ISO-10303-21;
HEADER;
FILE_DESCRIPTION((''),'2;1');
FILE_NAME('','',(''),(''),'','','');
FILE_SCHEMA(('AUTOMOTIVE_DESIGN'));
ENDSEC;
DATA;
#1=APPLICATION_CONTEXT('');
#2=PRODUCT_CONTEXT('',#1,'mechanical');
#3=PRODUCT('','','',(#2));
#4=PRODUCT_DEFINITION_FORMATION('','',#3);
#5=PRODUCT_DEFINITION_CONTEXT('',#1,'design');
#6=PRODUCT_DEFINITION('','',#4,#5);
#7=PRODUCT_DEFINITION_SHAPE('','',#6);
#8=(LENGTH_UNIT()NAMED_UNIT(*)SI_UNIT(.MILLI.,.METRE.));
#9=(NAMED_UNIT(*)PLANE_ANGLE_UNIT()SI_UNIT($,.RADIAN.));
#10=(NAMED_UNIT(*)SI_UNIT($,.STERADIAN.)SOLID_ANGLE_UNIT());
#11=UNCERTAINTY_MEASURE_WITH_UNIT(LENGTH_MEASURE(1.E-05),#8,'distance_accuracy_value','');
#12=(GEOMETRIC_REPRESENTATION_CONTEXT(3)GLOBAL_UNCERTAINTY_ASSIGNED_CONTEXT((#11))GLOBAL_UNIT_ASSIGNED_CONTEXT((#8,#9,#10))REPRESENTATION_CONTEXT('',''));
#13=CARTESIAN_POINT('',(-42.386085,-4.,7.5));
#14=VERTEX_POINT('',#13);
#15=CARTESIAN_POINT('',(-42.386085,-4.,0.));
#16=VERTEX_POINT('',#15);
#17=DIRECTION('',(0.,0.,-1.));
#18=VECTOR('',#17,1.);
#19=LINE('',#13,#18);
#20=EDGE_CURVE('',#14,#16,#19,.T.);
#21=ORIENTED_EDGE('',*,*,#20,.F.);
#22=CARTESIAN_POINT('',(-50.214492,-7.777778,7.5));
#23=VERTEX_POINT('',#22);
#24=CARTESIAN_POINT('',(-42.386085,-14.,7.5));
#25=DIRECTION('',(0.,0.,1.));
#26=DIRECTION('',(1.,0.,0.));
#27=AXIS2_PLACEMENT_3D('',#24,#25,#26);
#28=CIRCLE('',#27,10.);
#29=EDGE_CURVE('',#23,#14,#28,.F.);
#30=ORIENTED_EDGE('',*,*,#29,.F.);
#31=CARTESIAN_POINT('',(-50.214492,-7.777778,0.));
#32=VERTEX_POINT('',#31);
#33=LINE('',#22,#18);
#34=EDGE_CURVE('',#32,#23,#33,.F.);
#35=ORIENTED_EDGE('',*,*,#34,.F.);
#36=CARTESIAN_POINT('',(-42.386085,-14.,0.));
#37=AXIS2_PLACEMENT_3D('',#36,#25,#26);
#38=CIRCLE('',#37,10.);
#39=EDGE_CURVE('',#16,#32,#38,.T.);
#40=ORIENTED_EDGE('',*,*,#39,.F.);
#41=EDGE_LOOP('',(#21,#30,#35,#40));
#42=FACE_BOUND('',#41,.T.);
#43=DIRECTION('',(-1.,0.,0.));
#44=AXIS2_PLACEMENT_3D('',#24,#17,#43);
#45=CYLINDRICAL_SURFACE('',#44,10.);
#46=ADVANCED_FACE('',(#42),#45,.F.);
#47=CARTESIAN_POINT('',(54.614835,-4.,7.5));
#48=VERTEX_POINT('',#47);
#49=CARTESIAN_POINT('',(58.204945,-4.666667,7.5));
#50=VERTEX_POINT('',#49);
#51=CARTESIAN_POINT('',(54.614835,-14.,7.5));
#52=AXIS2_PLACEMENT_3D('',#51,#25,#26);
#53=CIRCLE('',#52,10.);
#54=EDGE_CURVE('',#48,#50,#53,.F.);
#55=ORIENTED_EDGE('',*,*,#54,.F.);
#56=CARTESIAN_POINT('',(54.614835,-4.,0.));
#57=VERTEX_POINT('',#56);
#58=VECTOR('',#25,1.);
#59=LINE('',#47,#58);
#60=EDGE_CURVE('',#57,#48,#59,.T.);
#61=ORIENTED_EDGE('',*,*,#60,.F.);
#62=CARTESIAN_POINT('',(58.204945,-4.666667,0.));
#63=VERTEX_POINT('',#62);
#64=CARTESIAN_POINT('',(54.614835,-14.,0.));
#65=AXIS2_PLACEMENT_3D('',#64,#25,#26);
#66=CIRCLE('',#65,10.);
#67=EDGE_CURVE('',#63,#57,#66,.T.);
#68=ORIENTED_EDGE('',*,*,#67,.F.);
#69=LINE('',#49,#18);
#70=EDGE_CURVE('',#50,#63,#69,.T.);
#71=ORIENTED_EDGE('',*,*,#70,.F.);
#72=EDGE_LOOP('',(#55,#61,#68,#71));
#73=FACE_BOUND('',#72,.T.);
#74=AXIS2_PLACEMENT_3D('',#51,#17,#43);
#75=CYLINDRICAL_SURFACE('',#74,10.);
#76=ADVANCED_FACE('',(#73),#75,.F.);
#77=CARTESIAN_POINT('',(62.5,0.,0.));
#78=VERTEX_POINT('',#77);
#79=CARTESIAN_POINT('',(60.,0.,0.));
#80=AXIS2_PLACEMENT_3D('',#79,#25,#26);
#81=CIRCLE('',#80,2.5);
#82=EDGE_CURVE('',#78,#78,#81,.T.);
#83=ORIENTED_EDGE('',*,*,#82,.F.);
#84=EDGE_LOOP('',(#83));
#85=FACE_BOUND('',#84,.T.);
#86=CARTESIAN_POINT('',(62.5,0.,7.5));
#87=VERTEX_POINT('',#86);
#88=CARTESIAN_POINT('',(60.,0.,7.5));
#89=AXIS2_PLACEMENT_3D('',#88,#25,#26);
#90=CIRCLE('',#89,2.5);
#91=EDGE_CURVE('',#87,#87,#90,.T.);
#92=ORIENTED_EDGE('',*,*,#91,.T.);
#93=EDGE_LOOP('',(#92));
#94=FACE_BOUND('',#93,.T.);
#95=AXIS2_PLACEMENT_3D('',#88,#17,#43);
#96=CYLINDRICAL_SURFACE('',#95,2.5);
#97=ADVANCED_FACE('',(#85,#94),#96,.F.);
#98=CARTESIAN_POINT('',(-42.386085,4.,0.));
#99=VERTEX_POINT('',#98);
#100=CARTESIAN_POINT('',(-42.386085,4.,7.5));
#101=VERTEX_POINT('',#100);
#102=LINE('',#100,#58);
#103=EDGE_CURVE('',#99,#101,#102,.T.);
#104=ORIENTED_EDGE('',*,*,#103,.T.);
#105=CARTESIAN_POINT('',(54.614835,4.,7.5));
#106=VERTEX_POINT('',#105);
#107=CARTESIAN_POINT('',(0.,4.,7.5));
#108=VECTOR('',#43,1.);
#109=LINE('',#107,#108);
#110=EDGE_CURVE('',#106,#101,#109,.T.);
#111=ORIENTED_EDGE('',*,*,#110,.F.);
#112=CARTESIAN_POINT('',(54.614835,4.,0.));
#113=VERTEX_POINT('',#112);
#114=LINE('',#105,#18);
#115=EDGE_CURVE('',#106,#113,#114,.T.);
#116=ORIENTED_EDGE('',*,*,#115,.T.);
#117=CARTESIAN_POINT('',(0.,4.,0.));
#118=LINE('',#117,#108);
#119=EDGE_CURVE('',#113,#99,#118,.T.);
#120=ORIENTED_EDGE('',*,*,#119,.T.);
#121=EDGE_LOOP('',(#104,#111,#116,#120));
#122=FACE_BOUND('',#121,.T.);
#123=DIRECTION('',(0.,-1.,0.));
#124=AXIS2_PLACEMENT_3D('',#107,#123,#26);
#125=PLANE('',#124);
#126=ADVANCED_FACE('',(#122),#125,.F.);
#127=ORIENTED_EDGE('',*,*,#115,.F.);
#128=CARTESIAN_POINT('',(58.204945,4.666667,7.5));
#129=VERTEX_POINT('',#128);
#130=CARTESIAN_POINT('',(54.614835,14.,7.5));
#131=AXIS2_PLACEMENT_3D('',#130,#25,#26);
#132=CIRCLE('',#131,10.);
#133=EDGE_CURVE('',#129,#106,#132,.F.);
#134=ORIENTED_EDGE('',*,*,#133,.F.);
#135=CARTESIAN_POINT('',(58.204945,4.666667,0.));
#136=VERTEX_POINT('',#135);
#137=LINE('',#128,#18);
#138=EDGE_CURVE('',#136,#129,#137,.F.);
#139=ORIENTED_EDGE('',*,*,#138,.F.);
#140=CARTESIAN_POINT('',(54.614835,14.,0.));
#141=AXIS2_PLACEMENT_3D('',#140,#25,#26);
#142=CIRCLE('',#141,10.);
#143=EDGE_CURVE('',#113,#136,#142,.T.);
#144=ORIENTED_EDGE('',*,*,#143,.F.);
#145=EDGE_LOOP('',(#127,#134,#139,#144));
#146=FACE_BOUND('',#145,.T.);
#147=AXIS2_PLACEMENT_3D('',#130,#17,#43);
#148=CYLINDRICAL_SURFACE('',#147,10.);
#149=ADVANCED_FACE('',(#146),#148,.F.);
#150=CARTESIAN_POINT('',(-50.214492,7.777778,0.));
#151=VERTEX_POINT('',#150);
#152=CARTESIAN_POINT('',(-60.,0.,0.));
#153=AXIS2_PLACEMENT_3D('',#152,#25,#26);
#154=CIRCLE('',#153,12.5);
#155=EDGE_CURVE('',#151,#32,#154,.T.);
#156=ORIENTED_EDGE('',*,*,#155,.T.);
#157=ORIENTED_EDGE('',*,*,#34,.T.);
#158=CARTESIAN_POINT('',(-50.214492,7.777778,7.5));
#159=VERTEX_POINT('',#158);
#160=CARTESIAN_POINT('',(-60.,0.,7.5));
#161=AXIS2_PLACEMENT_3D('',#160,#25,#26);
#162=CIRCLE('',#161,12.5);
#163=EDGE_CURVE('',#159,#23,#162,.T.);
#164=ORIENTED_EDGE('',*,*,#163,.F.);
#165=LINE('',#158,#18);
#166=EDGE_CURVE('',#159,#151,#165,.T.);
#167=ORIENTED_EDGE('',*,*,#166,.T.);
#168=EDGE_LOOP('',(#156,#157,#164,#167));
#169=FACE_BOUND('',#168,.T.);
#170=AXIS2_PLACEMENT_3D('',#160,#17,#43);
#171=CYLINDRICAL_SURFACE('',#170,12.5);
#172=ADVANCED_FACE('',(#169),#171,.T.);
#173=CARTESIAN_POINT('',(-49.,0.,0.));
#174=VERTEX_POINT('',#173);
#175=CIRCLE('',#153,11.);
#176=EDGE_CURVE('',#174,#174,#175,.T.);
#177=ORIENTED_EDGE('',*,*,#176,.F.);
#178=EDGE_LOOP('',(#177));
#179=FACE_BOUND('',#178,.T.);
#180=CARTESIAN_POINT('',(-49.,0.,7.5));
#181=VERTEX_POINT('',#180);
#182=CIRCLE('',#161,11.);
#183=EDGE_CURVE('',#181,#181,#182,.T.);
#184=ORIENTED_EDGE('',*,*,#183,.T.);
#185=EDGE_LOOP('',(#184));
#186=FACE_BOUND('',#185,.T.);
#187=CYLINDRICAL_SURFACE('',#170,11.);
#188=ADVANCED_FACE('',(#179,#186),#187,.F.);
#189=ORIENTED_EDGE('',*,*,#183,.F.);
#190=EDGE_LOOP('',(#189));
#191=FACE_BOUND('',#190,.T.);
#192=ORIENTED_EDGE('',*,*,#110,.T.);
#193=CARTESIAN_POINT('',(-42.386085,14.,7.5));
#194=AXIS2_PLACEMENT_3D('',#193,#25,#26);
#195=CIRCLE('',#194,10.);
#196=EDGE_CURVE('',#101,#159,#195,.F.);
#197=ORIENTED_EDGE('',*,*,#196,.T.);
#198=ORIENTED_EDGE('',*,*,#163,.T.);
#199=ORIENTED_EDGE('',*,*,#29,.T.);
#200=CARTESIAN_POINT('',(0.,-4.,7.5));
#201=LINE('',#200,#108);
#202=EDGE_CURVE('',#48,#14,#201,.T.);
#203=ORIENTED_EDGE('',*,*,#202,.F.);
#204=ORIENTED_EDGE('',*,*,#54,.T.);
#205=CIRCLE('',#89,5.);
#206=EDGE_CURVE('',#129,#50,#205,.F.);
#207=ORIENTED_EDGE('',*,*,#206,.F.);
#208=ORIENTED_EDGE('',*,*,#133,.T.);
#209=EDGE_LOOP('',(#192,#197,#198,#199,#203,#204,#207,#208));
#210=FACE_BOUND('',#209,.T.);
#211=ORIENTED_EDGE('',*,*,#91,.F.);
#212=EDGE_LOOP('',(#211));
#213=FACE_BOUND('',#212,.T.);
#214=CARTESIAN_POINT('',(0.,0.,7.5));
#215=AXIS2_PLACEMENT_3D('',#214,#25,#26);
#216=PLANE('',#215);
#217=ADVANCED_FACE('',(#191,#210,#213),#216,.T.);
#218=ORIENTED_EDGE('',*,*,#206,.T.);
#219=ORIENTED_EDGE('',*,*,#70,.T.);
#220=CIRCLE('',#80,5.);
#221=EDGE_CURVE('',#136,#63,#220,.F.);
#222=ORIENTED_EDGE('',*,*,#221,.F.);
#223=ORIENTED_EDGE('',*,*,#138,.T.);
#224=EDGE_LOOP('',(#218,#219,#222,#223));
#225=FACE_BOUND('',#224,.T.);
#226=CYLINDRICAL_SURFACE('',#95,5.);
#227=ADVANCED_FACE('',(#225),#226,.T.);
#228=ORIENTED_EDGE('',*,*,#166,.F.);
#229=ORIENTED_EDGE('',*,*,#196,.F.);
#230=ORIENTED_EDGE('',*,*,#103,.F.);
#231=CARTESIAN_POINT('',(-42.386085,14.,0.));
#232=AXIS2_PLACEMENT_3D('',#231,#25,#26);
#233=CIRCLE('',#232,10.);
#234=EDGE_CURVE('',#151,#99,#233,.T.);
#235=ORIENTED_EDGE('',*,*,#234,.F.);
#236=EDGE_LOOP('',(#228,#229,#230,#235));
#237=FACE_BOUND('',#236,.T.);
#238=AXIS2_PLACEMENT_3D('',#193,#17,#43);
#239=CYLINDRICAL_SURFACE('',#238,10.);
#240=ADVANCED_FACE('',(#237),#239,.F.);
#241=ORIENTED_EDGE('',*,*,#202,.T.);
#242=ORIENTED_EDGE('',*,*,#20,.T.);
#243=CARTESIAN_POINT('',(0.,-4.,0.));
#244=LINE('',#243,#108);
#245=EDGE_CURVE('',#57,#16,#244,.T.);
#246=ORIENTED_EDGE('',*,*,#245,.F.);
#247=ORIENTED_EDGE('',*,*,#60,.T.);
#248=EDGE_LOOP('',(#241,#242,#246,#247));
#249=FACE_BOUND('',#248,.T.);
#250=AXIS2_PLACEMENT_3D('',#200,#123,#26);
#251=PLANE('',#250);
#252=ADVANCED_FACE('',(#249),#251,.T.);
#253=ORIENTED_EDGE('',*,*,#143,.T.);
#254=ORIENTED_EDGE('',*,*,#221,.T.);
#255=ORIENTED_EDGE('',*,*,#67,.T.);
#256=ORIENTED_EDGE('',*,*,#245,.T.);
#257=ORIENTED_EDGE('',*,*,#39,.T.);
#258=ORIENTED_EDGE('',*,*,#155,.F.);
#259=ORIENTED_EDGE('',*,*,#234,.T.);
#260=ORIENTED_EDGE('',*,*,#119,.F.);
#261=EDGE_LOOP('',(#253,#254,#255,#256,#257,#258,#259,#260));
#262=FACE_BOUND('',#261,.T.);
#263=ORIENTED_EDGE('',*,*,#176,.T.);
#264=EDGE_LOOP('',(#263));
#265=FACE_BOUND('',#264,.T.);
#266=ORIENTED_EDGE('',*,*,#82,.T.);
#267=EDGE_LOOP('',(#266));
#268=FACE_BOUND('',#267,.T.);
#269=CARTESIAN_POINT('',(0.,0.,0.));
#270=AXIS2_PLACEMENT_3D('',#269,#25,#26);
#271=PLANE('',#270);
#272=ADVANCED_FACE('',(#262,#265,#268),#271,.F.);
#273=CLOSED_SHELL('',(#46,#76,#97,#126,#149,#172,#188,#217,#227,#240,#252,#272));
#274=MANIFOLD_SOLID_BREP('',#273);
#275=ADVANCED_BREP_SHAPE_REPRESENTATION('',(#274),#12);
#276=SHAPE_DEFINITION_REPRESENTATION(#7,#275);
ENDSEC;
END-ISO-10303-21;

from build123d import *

# Parameters (mm, degrees)
SKETCH1_R           = 2.5
SKETCH1_R_2         = 11
BOSS_EXTRUDE1_DEPTH = 7.5
FILLET1_R           = 10


with BuildPart() as part:
    # Sketch1 → Boss-Extrude1 (new body)
    with BuildSketch(Plane.XY):
        with BuildLine():
            Line((57, 4), (-48.157280718, 4))
            ThreePointArc((-48.157280718, 4), (-72.5, 0), (-48.157280718, -4))
            Line((-48.157280718, -4), (57, -4))
            ThreePointArc((57, -4), (65, 0), (57, 4))
        make_face()
        with Locations((60, 0)):
            Circle(SKETCH1_R, mode=Mode.SUBTRACT)
        with Locations((-60, 0)):
            Circle(SKETCH1_R_2, mode=Mode.SUBTRACT)
    extrude(amount=BOSS_EXTRUDE1_DEPTH)

    # Fillet1
    fillet1_edges = [part.edges().sort_by_distance(p)[0] for p in [
        (57, 4, 3.75),
        (57, -4, 3.75),
        (-48.157280718, -4, 3.75),
        (-48.157280718, 4, 3.75),
    ]]
    fillet(fillet1_edges, radius=FILLET1_R)


solid = part.part
